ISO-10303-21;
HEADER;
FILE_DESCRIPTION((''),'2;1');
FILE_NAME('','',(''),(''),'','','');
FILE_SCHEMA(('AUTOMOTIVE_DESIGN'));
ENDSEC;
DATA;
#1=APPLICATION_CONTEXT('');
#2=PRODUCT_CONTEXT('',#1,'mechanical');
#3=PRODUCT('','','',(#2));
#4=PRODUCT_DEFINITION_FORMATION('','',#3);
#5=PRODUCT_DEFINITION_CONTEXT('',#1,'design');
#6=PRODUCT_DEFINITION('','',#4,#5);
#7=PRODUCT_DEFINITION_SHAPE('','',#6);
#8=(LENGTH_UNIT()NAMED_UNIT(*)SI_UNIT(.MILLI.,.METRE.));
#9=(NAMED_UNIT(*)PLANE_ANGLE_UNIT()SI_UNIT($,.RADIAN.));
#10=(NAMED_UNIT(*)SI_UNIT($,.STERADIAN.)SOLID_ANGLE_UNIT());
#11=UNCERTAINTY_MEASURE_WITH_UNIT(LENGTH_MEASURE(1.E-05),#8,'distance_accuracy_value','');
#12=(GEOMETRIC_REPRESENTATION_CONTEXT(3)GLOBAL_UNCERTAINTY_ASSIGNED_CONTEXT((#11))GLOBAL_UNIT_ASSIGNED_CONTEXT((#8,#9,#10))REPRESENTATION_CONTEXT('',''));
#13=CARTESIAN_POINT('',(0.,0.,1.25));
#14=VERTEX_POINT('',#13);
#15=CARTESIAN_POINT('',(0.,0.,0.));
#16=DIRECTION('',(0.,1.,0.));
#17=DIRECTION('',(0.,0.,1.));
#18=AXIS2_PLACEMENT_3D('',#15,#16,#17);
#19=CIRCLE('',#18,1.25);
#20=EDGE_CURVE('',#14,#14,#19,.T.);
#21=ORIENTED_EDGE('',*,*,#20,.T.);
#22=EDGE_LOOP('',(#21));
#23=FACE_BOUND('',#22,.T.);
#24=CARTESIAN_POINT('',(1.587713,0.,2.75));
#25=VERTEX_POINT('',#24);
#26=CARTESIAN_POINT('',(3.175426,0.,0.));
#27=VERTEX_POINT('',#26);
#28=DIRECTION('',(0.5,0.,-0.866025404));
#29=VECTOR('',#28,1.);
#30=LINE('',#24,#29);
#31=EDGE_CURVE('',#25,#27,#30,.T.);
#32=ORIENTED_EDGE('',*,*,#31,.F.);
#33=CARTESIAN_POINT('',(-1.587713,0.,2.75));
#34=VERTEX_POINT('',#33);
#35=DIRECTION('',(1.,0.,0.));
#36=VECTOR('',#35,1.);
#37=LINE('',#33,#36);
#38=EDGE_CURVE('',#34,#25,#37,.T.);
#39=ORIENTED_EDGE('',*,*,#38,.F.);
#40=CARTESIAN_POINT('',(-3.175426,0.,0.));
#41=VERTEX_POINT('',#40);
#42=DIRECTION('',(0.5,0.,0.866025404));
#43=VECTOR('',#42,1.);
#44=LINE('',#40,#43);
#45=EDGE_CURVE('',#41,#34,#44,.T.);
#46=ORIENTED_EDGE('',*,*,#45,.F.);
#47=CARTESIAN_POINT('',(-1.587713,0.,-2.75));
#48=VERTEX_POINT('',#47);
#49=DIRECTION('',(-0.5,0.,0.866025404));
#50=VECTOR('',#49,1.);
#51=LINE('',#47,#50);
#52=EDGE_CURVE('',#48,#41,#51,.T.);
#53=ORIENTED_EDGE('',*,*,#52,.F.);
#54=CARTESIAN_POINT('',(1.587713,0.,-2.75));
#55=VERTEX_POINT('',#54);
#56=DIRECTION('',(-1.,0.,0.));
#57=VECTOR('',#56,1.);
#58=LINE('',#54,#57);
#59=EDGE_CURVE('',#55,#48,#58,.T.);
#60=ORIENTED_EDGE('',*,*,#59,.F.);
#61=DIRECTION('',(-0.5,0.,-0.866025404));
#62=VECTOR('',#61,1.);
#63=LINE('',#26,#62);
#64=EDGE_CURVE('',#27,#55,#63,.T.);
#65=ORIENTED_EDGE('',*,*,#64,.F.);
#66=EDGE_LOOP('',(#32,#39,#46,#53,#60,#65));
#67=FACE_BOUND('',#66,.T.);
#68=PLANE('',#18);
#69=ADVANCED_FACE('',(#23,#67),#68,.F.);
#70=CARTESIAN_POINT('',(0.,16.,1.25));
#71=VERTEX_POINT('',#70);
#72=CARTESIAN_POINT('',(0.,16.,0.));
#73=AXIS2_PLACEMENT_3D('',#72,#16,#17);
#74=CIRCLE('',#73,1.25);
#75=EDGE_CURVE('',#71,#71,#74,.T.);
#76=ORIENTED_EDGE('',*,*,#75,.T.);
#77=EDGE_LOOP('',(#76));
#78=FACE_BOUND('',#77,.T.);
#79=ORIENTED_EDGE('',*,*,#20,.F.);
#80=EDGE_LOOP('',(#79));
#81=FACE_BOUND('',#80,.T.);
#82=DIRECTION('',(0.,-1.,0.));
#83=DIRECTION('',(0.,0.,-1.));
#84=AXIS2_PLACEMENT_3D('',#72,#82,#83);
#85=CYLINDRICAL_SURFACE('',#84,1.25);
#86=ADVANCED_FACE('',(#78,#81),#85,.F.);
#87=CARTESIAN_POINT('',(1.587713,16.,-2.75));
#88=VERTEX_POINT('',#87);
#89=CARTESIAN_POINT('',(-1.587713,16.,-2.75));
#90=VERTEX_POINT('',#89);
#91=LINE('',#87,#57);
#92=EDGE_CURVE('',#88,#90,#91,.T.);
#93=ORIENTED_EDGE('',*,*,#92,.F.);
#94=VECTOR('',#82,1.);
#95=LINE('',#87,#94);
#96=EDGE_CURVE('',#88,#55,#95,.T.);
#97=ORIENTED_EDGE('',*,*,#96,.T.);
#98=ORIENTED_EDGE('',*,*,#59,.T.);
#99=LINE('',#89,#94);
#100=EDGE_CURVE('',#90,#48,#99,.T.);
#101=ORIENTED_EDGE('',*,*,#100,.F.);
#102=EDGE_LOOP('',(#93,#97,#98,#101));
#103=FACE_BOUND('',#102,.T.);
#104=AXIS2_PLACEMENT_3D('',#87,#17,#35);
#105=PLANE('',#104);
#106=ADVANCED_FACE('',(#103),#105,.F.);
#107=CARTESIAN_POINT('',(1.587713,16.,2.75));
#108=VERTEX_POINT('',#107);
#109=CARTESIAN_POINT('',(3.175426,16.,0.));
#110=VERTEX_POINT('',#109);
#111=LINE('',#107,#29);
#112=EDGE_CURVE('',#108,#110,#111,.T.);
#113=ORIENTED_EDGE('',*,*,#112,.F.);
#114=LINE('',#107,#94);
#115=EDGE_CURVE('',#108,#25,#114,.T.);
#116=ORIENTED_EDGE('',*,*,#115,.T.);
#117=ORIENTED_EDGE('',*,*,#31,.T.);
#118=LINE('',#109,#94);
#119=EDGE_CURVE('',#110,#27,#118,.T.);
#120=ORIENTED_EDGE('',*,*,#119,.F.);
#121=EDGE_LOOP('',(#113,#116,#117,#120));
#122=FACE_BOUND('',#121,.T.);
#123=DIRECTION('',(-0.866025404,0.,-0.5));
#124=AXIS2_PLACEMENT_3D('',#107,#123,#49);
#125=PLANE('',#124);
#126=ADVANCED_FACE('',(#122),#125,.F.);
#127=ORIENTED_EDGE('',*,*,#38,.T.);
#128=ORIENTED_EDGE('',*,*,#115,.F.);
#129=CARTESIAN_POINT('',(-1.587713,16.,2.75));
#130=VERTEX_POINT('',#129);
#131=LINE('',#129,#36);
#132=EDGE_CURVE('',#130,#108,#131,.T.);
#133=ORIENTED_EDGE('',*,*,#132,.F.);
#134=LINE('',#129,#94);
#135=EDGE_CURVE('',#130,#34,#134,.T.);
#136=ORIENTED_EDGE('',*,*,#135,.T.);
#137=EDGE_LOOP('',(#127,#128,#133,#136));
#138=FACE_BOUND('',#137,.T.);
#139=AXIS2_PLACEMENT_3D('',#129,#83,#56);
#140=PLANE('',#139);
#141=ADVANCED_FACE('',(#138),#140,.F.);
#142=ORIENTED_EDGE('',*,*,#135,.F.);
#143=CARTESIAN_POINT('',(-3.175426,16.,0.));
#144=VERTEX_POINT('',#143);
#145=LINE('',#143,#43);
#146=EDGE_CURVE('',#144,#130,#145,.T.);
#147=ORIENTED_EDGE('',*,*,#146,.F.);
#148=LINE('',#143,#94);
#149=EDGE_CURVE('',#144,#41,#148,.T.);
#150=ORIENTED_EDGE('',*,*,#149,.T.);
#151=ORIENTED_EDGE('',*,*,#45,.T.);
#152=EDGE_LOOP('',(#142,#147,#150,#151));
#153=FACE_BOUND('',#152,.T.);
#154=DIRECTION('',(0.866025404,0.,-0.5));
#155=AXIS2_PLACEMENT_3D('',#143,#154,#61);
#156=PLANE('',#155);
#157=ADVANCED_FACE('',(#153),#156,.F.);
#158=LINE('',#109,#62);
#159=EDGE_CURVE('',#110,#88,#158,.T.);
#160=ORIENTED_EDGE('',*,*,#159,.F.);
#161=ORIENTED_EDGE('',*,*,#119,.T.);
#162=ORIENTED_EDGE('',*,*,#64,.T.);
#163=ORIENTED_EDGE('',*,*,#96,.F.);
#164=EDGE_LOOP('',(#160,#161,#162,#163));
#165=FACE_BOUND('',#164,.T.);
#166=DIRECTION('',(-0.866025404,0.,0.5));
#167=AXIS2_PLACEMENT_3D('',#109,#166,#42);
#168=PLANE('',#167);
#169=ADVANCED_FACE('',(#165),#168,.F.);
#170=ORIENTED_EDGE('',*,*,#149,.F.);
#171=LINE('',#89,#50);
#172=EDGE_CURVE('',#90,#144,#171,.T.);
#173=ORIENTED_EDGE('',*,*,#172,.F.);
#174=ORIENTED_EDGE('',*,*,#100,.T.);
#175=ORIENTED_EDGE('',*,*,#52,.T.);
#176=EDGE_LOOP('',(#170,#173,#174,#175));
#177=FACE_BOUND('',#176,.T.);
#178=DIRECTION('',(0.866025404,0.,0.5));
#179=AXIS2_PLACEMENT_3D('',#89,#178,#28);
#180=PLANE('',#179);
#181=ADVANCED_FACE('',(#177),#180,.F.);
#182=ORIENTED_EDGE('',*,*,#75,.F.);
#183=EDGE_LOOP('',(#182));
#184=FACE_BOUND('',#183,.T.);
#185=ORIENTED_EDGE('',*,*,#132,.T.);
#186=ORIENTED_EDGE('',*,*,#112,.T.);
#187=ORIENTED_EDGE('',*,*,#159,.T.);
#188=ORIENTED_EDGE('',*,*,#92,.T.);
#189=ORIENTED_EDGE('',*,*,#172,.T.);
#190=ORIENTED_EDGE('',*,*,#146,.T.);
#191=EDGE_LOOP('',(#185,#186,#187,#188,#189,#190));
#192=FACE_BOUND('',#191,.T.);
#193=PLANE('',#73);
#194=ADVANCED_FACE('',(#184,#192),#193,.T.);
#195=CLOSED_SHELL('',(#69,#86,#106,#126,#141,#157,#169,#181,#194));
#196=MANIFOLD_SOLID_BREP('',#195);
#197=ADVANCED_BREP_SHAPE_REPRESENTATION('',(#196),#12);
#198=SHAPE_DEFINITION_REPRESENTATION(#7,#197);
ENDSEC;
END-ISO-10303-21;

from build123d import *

# Parameters (mm, degrees)
SKETCH1_R           = 1.25
BOSS_EXTRUDE1_DEPTH = 16


with BuildPart() as part:
    # Sketch1 → Boss-Extrude1 (new body)
    with BuildSketch(Plane(origin=(0, 0, 0), x_dir=(1, 0, 0), z_dir=(0, 1, 0))):
        Polygon((3.175426481, 0), (1.58771324, 2.75), (-1.58771324, 2.75), (-3.175426481, 0), (-1.58771324, -2.75), (1.58771324, -2.75), align=None)
        with Locations(Location((0, 0, 0), (0, 0, 270))):
            Circle(SKETCH1_R, mode=Mode.SUBTRACT)
    extrude(amount=BOSS_EXTRUDE1_DEPTH)


solid = part.part
